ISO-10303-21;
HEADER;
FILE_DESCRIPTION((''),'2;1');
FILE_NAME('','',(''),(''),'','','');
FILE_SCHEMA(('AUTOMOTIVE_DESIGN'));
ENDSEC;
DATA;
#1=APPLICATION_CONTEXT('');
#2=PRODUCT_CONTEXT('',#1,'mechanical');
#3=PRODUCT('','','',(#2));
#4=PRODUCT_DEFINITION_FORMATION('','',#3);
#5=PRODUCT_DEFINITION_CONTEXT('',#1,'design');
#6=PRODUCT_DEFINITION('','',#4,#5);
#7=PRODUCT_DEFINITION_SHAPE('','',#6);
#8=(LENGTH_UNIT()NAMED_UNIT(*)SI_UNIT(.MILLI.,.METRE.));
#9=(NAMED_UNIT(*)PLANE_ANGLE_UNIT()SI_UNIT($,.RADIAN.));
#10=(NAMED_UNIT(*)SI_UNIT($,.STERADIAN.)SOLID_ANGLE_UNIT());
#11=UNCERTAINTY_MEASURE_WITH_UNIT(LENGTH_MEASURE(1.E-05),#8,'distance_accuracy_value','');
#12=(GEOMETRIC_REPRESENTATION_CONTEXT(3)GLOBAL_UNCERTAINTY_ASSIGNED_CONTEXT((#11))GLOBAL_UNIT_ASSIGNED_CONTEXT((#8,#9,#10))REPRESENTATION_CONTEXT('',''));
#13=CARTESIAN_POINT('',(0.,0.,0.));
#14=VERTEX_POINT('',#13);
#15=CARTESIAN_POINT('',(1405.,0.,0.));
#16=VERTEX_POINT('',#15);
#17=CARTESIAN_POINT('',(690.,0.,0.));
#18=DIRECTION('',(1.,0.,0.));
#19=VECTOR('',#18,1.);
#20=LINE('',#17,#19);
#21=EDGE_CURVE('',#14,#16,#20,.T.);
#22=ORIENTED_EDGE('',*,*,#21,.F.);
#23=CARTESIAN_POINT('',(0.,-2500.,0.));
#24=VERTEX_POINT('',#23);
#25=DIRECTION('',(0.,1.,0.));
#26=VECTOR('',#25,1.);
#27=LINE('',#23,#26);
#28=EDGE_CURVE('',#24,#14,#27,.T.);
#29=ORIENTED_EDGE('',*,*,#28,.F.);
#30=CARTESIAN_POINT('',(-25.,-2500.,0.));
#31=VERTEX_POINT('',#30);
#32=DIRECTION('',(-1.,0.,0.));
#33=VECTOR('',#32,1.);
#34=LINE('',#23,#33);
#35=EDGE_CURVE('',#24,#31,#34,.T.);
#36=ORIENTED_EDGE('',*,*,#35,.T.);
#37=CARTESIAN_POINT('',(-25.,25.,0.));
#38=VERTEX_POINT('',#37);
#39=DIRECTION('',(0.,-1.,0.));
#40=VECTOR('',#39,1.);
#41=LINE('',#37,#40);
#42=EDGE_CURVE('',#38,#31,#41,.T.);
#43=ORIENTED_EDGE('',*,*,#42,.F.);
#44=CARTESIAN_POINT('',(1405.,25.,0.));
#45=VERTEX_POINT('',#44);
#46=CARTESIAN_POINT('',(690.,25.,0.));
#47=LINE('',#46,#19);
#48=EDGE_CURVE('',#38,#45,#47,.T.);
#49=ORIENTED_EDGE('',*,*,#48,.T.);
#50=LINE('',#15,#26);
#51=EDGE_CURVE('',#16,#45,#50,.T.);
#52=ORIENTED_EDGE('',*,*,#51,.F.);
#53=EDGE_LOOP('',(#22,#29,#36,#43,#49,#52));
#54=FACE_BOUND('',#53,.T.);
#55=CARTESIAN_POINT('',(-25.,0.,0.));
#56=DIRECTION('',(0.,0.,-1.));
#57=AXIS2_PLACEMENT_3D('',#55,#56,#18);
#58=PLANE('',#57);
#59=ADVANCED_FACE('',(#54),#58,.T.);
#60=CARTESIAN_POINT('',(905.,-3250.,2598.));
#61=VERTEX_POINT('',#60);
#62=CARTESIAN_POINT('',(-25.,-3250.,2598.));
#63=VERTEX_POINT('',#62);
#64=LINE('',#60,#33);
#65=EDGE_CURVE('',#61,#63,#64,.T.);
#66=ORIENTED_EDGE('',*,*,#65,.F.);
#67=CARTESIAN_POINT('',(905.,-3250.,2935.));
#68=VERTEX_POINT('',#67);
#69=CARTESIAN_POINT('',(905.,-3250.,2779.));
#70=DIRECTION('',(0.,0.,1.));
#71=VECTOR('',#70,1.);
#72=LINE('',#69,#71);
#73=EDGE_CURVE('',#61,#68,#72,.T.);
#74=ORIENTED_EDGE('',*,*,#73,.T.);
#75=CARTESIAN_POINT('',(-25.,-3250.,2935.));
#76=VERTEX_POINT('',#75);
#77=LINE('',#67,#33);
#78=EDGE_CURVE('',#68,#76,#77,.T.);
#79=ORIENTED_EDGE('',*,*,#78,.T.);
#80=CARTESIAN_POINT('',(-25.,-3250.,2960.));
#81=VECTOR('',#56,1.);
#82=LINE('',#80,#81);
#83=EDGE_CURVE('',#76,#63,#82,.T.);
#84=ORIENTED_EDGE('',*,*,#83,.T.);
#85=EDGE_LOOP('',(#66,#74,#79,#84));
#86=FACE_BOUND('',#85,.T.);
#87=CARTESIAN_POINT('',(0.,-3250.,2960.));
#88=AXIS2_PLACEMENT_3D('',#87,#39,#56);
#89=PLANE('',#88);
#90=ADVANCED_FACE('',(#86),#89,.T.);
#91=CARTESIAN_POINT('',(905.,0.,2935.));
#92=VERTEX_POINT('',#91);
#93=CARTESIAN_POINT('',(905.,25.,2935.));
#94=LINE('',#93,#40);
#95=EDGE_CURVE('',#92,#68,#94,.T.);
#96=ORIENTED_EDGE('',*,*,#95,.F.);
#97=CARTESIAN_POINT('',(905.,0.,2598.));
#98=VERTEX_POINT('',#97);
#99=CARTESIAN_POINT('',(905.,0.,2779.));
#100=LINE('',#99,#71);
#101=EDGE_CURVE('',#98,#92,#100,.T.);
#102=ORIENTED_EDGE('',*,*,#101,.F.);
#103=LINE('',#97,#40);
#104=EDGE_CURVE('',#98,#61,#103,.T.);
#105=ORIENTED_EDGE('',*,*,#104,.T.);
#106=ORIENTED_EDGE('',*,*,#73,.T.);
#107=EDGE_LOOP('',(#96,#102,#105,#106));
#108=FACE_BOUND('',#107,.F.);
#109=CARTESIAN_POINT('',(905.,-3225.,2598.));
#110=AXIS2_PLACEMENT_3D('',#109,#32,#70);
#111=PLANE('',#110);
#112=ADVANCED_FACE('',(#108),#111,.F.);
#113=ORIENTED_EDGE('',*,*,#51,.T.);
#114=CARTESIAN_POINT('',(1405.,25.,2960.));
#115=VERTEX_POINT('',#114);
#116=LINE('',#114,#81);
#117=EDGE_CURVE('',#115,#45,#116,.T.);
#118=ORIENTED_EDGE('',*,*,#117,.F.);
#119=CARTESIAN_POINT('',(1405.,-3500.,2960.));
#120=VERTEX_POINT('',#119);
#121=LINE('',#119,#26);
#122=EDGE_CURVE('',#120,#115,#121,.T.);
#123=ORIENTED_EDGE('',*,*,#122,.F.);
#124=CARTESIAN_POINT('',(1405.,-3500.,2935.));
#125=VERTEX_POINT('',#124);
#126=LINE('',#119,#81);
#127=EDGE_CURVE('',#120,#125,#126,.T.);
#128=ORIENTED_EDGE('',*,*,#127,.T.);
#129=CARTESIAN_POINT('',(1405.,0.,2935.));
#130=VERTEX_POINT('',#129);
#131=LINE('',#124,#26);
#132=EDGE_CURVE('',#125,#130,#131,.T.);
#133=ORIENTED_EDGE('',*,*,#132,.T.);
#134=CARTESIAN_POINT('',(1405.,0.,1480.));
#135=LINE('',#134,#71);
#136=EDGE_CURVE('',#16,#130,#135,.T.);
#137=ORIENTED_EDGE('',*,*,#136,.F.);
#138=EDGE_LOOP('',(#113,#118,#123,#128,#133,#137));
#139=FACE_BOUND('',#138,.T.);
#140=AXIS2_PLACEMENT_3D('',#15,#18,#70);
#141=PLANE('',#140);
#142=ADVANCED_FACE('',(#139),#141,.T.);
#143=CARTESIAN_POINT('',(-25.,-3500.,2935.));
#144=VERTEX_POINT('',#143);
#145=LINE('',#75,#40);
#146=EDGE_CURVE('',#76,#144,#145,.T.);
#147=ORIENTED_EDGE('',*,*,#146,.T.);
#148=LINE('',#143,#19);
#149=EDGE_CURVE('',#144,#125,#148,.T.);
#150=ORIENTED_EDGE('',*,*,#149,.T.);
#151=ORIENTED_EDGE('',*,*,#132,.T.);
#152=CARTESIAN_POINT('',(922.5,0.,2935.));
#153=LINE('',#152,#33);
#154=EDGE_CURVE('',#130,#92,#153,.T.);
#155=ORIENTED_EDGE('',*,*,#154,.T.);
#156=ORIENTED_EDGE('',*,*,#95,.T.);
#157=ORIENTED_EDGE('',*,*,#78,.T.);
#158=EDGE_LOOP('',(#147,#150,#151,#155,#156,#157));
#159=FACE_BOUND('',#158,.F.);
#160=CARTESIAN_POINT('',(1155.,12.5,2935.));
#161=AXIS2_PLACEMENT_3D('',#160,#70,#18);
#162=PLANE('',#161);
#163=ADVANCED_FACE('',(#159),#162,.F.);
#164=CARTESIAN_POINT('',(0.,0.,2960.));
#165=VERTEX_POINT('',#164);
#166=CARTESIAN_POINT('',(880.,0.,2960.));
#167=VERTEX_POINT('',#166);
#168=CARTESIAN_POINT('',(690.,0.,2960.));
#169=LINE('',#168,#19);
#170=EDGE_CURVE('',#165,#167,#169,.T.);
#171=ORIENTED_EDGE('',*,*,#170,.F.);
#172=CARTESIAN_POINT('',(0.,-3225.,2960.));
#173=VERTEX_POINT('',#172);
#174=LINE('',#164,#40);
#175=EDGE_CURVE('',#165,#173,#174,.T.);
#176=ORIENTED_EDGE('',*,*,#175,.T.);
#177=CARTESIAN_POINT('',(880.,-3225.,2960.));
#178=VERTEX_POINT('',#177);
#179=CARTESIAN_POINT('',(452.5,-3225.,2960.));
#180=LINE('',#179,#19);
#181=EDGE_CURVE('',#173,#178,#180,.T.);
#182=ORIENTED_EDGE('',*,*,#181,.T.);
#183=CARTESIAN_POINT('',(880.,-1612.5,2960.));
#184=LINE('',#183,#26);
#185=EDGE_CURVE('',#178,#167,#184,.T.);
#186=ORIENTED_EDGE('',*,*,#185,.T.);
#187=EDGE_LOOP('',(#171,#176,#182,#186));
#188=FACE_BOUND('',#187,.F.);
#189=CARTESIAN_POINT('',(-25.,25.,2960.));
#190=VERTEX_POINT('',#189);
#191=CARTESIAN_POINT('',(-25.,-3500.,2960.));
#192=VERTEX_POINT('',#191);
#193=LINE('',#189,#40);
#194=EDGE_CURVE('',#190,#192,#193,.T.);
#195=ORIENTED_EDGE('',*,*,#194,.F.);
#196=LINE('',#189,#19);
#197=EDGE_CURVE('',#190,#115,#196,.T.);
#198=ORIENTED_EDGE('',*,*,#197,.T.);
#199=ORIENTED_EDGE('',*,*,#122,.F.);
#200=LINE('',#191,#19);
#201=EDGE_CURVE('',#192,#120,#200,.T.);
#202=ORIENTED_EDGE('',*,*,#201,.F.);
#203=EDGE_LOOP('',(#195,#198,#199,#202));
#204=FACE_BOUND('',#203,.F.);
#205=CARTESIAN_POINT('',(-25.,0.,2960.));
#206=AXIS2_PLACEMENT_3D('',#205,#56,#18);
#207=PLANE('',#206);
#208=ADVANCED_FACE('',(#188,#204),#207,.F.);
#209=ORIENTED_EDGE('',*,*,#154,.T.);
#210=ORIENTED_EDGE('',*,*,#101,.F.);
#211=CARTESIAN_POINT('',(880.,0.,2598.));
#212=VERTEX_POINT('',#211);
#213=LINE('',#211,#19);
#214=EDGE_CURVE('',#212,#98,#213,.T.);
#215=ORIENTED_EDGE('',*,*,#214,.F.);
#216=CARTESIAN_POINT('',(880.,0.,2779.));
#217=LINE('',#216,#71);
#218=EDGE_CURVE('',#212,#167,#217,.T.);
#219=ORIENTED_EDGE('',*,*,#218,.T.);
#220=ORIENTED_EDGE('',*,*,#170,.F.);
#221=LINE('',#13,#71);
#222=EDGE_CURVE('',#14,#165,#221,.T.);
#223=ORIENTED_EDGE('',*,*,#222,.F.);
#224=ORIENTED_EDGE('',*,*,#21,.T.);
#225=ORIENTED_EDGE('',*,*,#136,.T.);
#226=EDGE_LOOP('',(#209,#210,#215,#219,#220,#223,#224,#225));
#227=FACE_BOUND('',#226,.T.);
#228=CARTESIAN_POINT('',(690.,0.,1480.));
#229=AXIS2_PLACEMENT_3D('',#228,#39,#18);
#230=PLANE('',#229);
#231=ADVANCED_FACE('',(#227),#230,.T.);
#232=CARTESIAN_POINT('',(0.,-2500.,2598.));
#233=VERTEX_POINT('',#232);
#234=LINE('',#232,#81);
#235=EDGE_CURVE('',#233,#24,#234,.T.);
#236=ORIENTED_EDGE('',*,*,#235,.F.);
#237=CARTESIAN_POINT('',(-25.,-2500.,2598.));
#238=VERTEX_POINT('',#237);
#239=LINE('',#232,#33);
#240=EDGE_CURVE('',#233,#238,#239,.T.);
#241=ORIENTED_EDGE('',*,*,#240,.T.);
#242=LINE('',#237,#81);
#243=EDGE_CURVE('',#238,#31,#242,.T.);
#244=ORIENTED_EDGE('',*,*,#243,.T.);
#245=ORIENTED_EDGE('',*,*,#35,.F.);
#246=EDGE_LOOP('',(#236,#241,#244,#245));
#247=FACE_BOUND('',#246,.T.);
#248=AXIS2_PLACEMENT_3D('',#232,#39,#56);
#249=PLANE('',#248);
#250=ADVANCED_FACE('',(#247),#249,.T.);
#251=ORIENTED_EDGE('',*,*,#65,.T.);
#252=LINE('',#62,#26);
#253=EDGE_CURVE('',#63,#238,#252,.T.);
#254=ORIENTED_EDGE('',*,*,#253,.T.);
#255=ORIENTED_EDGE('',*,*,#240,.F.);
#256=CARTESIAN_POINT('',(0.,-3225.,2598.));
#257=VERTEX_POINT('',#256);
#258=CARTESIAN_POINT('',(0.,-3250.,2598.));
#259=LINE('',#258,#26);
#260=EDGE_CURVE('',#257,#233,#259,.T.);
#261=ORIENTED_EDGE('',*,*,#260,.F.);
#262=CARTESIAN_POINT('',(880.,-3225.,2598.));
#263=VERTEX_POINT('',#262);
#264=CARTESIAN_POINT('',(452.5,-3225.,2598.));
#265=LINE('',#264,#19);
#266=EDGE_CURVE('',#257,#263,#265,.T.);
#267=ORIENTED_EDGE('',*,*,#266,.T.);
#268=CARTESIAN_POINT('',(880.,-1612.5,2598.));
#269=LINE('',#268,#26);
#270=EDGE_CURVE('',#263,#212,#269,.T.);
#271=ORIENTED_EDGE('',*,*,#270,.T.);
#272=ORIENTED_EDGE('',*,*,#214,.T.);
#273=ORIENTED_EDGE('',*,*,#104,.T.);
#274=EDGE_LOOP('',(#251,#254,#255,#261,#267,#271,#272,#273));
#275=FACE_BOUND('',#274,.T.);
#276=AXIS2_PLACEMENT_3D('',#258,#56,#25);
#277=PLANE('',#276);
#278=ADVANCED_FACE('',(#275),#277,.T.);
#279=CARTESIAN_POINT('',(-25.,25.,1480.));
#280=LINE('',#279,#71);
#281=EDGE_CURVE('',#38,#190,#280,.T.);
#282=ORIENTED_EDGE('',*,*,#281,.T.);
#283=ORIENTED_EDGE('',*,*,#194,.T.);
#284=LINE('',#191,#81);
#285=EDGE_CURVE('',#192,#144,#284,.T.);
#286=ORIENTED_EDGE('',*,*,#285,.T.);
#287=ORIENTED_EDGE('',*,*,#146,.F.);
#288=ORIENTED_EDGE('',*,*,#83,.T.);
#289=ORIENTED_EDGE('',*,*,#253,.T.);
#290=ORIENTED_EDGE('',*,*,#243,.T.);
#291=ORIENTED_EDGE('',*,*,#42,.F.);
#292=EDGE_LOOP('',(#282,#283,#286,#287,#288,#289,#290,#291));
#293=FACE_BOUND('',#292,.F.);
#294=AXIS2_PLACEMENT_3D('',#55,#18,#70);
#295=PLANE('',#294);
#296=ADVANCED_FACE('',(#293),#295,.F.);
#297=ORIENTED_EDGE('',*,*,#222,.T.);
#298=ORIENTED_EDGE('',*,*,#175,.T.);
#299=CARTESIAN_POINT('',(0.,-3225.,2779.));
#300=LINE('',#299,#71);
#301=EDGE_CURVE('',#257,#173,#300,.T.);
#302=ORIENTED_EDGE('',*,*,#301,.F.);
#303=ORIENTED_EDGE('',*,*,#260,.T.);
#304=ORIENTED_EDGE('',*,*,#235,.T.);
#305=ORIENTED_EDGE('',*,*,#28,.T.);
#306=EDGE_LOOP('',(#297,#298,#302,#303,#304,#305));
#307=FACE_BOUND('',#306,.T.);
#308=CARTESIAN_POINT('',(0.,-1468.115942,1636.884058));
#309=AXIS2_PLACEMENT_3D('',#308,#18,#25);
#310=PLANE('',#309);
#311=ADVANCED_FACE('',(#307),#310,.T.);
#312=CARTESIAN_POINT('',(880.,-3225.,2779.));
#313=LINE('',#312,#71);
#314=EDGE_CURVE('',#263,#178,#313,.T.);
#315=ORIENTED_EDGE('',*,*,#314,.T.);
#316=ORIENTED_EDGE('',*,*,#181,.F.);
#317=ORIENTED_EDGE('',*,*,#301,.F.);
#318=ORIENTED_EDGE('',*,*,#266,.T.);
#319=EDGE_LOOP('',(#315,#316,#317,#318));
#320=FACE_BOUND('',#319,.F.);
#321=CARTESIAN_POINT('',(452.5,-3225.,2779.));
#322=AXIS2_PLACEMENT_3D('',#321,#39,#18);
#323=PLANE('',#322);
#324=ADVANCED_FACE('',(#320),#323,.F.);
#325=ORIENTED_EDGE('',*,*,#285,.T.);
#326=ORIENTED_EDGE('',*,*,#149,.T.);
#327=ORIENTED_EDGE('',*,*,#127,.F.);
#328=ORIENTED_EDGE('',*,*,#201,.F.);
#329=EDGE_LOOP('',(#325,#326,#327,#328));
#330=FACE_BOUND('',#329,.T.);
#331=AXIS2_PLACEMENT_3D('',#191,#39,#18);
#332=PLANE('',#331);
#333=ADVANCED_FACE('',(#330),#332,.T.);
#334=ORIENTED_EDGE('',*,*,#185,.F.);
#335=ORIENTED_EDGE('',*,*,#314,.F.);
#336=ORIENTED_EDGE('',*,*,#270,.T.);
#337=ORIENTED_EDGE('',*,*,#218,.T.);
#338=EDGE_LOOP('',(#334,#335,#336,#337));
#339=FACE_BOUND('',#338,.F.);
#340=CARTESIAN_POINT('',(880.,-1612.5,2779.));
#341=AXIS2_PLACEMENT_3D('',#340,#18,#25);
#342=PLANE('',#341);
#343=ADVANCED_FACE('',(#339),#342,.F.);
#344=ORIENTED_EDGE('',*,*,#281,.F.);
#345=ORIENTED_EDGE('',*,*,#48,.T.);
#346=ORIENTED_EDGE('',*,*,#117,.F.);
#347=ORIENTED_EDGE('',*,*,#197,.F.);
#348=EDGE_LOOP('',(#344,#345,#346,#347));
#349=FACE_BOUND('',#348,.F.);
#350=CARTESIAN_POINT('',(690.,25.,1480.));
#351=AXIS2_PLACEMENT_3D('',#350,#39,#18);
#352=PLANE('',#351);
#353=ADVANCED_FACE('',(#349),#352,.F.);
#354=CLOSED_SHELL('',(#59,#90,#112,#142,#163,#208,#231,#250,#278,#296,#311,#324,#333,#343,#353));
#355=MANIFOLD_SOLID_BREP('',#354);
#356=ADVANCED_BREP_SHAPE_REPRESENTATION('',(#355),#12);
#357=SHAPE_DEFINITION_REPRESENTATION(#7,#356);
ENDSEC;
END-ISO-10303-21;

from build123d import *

# Parameters (mm, degrees)
F3_W      = 3225
F3_H      = 362
F4_DEPTH  = 25
F5_W      = 905
F5_H      = 362
F6_DEPTH  = 25
F8_DEPTH  = 25
F9_W      = 1430
F9_H      = 2960
F10_DEPTH = 25
F11_W     = 500
F11_H     = 25
F12_DEPTH = 25


with BuildPart() as f4:
    # F3 (on offset) → F4 (new body)
    with BuildSketch(Plane.YZ.offset(880)):
        with Locations((-1612.5, 2779)):
            Rectangle(F3_W, F3_H)
    extrude(amount=F4_DEPTH)

    # F5 (on offset) → F6 (join)
    with BuildSketch(Plane.XZ.offset(3225)):
        with Locations((452.5, 2779)):
            Rectangle(F5_W, F5_H)
    extrude(amount=F6_DEPTH)

    # F7 (on Right) → F8 (join)
    with BuildSketch(Plane.YZ):
        Polygon((-2500, 0), (0, 0), (0, 2960), (-3250, 2960), (-3250, 2598), (-2500, 2598), align=None)
    extrude(amount=-F8_DEPTH)

    # F9 (on Front) → F10 (join)
    with BuildSketch(Plane.XZ):
        with Locations((690, 1480)):
            Rectangle(F9_W, F9_H)
    extrude(amount=-F10_DEPTH)

    # F11 (on face) → F12 (join)
    with BuildSketch(Plane.XY.offset(2960)):
        with Locations((1155, 12.5)):
            Rectangle(F11_W, F11_H)
        Polygon((1405, 0), (905, 0), (905, -3250), (-25, -3250), (-25, -3500), (1405, -3500), align=None)
    extrude(amount=-F12_DEPTH)


solid = f4.part
